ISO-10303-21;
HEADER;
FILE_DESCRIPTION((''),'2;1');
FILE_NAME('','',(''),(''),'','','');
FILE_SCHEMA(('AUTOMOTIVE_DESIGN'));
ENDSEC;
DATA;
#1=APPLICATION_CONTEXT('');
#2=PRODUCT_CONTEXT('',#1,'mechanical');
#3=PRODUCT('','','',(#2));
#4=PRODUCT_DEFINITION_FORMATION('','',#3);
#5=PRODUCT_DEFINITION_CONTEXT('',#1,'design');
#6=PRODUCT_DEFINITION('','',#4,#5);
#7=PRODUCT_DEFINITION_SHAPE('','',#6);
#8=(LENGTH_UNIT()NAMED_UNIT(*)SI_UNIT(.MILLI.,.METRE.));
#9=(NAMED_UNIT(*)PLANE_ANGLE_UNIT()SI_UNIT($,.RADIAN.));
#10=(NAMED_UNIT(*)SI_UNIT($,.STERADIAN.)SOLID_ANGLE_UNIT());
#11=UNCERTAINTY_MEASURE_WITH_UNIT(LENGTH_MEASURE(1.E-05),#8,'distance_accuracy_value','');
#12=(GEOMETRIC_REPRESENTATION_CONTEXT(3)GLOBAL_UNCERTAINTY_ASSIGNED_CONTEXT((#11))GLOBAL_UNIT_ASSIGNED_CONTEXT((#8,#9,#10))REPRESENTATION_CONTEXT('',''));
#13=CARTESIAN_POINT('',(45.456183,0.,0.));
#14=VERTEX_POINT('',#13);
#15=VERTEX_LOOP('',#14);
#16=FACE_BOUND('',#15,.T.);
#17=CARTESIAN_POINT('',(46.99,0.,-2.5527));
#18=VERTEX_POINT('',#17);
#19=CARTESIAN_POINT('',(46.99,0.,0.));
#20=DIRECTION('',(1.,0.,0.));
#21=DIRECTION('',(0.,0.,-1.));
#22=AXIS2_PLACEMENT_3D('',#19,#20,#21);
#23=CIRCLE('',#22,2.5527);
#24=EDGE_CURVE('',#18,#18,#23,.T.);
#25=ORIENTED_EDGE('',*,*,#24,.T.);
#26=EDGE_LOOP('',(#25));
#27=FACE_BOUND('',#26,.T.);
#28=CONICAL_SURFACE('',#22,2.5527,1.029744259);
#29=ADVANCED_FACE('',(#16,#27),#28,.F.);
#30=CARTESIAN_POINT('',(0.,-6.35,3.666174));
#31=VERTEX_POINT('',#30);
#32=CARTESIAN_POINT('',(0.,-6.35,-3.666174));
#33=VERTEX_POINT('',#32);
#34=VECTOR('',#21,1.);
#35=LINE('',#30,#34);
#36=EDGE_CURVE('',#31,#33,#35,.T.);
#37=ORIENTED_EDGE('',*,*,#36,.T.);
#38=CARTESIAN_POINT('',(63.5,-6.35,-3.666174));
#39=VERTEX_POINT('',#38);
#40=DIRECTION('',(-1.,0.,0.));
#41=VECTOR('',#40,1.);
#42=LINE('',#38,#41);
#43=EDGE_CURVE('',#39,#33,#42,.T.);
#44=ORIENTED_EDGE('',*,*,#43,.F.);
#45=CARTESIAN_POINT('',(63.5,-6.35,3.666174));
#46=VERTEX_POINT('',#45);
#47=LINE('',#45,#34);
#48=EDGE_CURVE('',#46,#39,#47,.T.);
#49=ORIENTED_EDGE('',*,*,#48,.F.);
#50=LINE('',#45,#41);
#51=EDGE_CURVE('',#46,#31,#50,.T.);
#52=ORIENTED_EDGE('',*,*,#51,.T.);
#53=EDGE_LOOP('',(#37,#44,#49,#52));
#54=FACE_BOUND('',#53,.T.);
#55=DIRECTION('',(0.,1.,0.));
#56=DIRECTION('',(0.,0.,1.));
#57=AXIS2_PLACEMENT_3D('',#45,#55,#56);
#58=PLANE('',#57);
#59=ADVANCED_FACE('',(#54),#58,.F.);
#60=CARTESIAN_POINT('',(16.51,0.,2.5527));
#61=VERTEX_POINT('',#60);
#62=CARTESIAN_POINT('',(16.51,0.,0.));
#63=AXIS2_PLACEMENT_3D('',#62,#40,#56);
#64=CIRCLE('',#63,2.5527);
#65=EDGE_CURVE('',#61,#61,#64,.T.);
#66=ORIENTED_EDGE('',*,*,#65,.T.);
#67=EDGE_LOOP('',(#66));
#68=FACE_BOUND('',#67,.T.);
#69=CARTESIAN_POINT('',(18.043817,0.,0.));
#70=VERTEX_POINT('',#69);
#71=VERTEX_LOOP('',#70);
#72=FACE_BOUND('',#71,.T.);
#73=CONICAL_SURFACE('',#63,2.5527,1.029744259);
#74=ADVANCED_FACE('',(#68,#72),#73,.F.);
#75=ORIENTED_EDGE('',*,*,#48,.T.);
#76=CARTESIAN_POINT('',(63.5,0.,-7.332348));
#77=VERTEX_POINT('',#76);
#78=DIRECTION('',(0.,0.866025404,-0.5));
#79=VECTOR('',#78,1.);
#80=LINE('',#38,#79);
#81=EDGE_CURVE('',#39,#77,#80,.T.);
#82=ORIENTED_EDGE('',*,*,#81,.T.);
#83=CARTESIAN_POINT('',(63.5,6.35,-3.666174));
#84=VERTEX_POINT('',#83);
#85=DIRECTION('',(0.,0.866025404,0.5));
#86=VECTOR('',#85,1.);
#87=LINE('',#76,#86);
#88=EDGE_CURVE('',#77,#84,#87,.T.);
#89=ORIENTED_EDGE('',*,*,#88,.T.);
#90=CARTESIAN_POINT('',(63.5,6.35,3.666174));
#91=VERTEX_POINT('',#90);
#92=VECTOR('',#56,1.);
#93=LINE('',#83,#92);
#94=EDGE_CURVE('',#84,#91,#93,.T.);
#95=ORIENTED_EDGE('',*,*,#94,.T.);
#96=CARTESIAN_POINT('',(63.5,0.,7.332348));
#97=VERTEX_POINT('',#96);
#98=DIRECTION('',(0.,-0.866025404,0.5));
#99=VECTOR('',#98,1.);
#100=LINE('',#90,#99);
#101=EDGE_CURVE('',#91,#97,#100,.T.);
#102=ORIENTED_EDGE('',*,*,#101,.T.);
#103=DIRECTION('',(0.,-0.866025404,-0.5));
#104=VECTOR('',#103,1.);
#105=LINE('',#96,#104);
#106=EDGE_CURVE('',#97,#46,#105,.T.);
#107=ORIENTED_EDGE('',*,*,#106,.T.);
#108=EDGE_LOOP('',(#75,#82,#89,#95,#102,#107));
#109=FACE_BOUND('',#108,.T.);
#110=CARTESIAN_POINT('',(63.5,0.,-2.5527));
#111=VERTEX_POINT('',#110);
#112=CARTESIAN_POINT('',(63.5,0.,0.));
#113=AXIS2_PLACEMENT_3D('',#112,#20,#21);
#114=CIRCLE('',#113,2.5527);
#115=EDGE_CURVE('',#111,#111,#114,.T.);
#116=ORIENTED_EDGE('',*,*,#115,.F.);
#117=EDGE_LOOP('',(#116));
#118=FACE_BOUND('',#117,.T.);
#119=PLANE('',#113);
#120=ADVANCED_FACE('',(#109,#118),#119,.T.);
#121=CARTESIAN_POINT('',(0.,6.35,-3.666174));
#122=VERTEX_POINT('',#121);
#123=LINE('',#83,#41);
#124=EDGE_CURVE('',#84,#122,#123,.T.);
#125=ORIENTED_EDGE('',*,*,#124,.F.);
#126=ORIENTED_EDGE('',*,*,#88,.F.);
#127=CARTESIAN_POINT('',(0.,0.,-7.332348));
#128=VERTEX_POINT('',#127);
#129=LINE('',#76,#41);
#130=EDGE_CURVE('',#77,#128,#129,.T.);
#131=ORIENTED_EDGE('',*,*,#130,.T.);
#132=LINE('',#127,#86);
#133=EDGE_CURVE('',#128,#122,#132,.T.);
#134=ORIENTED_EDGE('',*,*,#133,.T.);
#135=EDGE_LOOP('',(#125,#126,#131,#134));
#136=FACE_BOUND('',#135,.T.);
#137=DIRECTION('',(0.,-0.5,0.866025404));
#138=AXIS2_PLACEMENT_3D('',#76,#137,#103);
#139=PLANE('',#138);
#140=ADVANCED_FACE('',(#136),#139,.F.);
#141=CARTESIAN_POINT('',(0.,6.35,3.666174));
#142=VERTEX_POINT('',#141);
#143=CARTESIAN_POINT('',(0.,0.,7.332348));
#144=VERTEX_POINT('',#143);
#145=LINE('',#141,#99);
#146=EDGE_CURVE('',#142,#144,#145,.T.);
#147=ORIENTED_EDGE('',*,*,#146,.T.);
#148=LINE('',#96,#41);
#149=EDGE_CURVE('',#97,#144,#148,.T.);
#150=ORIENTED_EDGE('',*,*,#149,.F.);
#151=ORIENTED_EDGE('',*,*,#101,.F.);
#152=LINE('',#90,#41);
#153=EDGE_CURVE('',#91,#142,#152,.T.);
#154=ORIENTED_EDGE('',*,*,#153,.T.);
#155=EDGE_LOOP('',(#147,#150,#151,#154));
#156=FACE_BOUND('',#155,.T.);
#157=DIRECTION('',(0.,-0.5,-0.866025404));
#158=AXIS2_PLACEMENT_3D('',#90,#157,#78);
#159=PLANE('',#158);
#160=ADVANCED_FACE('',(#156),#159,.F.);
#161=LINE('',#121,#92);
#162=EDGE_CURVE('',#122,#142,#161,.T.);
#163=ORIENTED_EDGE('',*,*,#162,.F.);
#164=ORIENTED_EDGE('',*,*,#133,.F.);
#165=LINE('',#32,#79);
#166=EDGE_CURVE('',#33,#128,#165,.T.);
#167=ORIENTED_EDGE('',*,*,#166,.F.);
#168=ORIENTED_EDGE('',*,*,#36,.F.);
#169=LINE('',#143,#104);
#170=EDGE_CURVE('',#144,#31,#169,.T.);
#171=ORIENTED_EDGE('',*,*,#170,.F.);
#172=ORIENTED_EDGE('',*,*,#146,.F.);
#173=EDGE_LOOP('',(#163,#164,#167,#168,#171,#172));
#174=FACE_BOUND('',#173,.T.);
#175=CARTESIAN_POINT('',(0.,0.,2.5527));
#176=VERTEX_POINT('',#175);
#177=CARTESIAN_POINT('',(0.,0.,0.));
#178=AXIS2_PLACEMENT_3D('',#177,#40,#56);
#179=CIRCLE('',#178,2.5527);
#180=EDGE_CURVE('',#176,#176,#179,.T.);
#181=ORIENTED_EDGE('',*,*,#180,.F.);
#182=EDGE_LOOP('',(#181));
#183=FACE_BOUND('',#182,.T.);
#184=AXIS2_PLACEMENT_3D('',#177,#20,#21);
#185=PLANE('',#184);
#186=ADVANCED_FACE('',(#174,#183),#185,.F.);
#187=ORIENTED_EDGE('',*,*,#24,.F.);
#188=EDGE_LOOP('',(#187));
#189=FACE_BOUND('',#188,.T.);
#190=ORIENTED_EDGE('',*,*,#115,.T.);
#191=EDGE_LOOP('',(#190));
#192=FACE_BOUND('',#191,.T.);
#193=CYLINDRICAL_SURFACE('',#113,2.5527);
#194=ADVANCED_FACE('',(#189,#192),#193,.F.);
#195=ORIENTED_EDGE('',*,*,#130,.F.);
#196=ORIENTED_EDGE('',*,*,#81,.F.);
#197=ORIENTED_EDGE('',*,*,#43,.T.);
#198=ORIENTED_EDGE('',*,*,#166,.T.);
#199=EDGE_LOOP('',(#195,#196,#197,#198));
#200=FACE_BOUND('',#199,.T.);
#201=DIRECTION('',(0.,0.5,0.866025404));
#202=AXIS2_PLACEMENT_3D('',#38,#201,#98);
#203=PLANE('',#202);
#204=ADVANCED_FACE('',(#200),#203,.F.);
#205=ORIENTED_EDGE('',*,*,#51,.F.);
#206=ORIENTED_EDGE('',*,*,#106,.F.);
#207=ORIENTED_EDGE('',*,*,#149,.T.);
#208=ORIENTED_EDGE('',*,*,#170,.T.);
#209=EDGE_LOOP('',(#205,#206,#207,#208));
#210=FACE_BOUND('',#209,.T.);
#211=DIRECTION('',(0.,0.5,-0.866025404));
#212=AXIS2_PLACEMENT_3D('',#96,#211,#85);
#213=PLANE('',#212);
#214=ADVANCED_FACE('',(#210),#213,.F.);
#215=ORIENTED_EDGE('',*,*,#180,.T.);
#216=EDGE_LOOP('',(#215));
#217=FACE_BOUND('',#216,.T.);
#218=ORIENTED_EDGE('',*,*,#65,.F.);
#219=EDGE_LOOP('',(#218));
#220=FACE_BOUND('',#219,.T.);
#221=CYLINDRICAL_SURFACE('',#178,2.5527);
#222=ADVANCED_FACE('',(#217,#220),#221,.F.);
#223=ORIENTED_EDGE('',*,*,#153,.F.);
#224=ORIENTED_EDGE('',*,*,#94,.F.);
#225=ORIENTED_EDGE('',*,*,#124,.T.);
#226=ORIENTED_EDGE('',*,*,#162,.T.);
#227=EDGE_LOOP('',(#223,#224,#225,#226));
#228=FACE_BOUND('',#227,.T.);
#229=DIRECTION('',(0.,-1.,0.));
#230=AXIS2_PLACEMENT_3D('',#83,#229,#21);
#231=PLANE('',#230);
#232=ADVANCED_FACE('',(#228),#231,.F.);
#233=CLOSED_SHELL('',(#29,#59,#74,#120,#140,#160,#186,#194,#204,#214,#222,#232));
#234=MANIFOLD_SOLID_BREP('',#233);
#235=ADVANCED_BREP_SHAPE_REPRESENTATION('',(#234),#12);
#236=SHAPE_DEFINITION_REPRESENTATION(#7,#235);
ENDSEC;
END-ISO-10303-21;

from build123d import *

# Parameters (mm, degrees)
BOSS_EXTRUDE1_DEPTH         = 63.5
F_1_4_20_TAPPED_HOLE1_D     = 5.1054
F_1_4_20_TAPPED_HOLE1_DEPTH = 16.51
F_1_4_20_TAPPED_HOLE1_TIP   = 1.533816902
F_1_4_20_TAPPED_HOLE2_D     = 5.1054
F_1_4_20_TAPPED_HOLE2_DEPTH = 16.51
F_1_4_20_TAPPED_HOLE2_TIP   = 1.533816902


with BuildPart() as part:
    # Sketch1 → Boss-Extrude1 (new body)
    with BuildSketch(Plane(origin=(0, 0, 0), x_dir=(0, 0, -1), z_dir=(1, 0, 0))):
        Polygon((7.332348419, 0), (3.666174209, 6.35), (-3.666174209, 6.35), (-7.332348419, 0), (-3.666174209, -6.35), (3.666174209, -6.35), align=None)
    extrude(amount=BOSS_EXTRUDE1_DEPTH)

    # 1/4-20 Tapped Hole1
    with Locations(Plane(origin=(63.5, 0, 0), x_dir=(0, 0, -1), z_dir=(1, 0, 0))):
        with Locations((0, 0)):
            Hole(F_1_4_20_TAPPED_HOLE1_D / 2, depth=F_1_4_20_TAPPED_HOLE1_DEPTH)
            with Locations((0, 0, -(F_1_4_20_TAPPED_HOLE1_DEPTH + F_1_4_20_TAPPED_HOLE1_TIP / 2))):  # 118° drill point
                Cone(0, F_1_4_20_TAPPED_HOLE1_D / 2, F_1_4_20_TAPPED_HOLE1_TIP, mode=Mode.SUBTRACT)

    # 1/4-20 Tapped Hole2
    with Locations(Plane.ZY):
        with Locations((0, 0)):
            Hole(F_1_4_20_TAPPED_HOLE2_D / 2, depth=F_1_4_20_TAPPED_HOLE2_DEPTH)
            with Locations((0, 0, -(F_1_4_20_TAPPED_HOLE2_DEPTH + F_1_4_20_TAPPED_HOLE2_TIP / 2))):  # 118° drill point
                Cone(0, F_1_4_20_TAPPED_HOLE2_D / 2, F_1_4_20_TAPPED_HOLE2_TIP, mode=Mode.SUBTRACT)


solid = part.part
